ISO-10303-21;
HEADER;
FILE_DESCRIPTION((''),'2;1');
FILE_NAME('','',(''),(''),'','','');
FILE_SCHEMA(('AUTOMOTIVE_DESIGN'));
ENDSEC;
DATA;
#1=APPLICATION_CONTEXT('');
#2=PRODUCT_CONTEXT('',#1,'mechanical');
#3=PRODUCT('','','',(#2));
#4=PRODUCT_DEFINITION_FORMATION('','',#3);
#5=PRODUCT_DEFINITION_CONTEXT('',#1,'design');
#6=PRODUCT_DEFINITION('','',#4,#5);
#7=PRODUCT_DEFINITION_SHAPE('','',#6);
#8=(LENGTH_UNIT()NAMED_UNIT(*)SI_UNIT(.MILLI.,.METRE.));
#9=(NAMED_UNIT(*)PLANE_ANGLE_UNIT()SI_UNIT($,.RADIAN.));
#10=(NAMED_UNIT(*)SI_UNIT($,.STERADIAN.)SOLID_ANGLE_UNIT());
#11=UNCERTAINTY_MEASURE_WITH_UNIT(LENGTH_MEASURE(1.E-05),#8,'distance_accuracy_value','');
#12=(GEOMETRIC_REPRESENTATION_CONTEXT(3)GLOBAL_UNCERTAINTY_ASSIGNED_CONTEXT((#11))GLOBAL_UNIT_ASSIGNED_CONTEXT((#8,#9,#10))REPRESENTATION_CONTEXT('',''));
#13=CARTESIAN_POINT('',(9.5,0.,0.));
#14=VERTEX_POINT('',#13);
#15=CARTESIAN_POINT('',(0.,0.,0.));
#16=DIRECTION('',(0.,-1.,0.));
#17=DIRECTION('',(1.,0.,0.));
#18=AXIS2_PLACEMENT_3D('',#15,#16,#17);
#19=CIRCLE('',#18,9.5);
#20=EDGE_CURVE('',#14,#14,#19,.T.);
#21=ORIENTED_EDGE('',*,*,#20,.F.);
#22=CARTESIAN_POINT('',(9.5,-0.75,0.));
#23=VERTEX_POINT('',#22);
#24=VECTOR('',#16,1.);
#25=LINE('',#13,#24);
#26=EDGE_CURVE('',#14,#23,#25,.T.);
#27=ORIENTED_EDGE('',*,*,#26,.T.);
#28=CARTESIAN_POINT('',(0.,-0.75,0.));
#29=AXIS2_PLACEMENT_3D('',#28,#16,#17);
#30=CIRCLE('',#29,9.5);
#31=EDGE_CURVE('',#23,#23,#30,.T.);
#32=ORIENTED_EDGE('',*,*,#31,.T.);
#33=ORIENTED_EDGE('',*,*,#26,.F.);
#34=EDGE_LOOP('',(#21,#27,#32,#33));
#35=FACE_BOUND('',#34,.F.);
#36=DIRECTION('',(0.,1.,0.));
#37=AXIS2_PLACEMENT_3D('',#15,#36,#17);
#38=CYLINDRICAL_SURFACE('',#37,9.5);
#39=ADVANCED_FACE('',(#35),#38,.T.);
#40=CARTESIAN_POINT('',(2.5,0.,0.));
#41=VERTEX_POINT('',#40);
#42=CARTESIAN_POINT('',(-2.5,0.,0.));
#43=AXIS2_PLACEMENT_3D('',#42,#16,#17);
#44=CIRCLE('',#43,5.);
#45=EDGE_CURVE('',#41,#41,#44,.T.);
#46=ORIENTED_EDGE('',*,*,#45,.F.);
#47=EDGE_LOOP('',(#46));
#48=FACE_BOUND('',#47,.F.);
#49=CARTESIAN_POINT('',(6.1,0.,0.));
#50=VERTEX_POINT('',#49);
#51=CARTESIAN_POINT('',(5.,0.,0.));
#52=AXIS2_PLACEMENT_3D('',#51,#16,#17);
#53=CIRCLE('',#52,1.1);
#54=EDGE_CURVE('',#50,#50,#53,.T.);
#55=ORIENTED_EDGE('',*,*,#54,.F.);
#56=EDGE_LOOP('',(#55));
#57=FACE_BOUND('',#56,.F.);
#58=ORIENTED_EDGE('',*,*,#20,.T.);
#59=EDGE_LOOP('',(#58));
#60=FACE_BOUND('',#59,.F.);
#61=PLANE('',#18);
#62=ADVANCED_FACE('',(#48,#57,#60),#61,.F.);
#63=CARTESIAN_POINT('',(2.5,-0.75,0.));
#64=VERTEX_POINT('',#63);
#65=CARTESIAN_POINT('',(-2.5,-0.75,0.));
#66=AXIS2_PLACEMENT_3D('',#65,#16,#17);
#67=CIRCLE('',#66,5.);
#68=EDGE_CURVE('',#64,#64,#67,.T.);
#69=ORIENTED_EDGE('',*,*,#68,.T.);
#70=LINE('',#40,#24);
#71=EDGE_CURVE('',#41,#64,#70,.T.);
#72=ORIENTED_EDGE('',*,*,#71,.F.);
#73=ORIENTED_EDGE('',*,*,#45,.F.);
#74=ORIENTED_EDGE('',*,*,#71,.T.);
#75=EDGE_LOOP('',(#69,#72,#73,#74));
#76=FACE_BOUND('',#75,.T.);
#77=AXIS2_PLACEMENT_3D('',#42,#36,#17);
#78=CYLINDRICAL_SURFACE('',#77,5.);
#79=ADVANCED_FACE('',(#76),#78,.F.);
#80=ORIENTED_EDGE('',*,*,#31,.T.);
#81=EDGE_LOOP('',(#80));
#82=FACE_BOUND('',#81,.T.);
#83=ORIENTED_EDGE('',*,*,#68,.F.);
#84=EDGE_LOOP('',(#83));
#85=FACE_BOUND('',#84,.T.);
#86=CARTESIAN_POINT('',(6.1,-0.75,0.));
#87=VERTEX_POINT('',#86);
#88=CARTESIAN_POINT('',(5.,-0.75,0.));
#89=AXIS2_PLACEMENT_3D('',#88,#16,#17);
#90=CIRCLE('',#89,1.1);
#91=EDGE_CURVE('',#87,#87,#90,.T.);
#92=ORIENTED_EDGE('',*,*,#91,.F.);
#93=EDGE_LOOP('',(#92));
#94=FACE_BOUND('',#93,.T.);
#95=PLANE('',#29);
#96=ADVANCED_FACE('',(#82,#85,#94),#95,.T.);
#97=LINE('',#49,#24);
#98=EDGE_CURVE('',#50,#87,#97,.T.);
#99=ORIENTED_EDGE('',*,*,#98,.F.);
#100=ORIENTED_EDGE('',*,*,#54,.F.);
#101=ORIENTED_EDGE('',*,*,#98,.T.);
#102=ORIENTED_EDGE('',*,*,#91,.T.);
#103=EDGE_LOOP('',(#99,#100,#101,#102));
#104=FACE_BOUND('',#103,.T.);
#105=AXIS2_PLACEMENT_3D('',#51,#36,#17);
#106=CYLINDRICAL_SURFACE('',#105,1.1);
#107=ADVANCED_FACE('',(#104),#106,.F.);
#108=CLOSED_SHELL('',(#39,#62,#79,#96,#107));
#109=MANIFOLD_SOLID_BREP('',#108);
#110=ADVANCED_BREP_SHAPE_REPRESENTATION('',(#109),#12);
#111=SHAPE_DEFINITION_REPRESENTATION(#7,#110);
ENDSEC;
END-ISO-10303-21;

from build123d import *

# Parameters (mm, degrees)
F0_R     = 9.5
F0_R_2   = 5
F0_R_3   = 1.1
F1_DEPTH = 0.75


with BuildPart() as f1:
    # F0 (on Front) → F1 (new body)
    with BuildSketch(Plane.XZ):
        Circle(F0_R)
        with Locations((-2.5, 0)):
            Circle(F0_R_2, mode=Mode.SUBTRACT)
        with Locations((5, 0)):
            Circle(F0_R_3, mode=Mode.SUBTRACT)
    extrude(amount=F1_DEPTH)


solid = f1.part
